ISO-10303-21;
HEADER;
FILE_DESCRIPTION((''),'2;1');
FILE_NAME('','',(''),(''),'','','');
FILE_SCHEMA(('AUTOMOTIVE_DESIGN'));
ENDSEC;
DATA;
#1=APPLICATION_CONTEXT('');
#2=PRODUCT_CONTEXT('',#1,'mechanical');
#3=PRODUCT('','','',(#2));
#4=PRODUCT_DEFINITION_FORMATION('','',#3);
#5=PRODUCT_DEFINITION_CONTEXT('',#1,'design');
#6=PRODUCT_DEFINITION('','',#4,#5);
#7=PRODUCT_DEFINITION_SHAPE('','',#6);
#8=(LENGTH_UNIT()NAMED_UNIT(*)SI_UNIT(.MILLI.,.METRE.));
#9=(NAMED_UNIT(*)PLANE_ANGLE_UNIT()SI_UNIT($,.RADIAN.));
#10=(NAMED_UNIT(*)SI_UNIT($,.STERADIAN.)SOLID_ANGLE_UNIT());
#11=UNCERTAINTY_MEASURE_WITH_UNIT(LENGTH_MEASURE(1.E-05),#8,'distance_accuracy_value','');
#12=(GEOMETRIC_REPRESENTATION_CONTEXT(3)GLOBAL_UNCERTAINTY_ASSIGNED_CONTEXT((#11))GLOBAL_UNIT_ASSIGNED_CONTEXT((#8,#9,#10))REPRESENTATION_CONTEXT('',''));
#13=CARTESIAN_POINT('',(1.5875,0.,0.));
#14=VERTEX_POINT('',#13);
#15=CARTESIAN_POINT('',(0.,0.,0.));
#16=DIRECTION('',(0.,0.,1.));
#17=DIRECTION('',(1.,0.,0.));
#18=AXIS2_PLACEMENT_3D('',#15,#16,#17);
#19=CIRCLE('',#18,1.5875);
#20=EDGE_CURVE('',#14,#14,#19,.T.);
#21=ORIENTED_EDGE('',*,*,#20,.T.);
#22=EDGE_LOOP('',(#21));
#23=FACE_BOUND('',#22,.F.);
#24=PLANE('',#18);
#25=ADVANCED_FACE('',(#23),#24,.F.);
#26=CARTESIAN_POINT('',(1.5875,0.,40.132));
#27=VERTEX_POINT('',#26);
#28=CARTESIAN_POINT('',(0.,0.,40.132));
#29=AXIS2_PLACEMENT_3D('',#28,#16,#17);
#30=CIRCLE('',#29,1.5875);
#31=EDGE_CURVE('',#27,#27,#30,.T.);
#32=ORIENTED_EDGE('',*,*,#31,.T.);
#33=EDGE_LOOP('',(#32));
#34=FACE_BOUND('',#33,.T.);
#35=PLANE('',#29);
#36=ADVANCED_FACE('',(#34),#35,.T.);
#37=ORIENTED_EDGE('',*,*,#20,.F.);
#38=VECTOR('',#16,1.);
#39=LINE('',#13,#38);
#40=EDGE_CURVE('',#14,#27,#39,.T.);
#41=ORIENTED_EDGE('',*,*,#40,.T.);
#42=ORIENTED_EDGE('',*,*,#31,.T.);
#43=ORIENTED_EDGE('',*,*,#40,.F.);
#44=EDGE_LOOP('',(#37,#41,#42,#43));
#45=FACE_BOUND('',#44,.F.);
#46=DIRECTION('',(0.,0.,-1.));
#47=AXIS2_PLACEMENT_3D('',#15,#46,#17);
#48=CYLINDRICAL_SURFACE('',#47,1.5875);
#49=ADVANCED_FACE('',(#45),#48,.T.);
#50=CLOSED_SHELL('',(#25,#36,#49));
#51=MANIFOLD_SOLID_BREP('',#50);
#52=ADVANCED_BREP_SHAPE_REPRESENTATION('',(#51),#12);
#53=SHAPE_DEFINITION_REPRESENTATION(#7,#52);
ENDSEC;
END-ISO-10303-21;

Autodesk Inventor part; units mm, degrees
ref_plane "YZ Plane" through (0, 0, 0) normal (1, 0, 0) x (0, 1, 0)
ref_plane "XZ Plane" through (0, 0, 0) normal (0, 1, 0) x (-1, 0, 0)
ref_plane "XY Plane" through (0, 0, 0) normal (0, 0, 1) x (1, 0, 0)
sketch "Sketch1" plane through (0, 0, 0) normal (0, 0, 1) x (1, 0, 0)
  circle A0 centre (0, 0) radius 1.5875
  dimension "d0" = 3.175
extrude "Extrusion1" add sketch "Sketch1" along normal blind 40.132
properties part number "CarriageConnectorShaft" material "Stainless Steel"
